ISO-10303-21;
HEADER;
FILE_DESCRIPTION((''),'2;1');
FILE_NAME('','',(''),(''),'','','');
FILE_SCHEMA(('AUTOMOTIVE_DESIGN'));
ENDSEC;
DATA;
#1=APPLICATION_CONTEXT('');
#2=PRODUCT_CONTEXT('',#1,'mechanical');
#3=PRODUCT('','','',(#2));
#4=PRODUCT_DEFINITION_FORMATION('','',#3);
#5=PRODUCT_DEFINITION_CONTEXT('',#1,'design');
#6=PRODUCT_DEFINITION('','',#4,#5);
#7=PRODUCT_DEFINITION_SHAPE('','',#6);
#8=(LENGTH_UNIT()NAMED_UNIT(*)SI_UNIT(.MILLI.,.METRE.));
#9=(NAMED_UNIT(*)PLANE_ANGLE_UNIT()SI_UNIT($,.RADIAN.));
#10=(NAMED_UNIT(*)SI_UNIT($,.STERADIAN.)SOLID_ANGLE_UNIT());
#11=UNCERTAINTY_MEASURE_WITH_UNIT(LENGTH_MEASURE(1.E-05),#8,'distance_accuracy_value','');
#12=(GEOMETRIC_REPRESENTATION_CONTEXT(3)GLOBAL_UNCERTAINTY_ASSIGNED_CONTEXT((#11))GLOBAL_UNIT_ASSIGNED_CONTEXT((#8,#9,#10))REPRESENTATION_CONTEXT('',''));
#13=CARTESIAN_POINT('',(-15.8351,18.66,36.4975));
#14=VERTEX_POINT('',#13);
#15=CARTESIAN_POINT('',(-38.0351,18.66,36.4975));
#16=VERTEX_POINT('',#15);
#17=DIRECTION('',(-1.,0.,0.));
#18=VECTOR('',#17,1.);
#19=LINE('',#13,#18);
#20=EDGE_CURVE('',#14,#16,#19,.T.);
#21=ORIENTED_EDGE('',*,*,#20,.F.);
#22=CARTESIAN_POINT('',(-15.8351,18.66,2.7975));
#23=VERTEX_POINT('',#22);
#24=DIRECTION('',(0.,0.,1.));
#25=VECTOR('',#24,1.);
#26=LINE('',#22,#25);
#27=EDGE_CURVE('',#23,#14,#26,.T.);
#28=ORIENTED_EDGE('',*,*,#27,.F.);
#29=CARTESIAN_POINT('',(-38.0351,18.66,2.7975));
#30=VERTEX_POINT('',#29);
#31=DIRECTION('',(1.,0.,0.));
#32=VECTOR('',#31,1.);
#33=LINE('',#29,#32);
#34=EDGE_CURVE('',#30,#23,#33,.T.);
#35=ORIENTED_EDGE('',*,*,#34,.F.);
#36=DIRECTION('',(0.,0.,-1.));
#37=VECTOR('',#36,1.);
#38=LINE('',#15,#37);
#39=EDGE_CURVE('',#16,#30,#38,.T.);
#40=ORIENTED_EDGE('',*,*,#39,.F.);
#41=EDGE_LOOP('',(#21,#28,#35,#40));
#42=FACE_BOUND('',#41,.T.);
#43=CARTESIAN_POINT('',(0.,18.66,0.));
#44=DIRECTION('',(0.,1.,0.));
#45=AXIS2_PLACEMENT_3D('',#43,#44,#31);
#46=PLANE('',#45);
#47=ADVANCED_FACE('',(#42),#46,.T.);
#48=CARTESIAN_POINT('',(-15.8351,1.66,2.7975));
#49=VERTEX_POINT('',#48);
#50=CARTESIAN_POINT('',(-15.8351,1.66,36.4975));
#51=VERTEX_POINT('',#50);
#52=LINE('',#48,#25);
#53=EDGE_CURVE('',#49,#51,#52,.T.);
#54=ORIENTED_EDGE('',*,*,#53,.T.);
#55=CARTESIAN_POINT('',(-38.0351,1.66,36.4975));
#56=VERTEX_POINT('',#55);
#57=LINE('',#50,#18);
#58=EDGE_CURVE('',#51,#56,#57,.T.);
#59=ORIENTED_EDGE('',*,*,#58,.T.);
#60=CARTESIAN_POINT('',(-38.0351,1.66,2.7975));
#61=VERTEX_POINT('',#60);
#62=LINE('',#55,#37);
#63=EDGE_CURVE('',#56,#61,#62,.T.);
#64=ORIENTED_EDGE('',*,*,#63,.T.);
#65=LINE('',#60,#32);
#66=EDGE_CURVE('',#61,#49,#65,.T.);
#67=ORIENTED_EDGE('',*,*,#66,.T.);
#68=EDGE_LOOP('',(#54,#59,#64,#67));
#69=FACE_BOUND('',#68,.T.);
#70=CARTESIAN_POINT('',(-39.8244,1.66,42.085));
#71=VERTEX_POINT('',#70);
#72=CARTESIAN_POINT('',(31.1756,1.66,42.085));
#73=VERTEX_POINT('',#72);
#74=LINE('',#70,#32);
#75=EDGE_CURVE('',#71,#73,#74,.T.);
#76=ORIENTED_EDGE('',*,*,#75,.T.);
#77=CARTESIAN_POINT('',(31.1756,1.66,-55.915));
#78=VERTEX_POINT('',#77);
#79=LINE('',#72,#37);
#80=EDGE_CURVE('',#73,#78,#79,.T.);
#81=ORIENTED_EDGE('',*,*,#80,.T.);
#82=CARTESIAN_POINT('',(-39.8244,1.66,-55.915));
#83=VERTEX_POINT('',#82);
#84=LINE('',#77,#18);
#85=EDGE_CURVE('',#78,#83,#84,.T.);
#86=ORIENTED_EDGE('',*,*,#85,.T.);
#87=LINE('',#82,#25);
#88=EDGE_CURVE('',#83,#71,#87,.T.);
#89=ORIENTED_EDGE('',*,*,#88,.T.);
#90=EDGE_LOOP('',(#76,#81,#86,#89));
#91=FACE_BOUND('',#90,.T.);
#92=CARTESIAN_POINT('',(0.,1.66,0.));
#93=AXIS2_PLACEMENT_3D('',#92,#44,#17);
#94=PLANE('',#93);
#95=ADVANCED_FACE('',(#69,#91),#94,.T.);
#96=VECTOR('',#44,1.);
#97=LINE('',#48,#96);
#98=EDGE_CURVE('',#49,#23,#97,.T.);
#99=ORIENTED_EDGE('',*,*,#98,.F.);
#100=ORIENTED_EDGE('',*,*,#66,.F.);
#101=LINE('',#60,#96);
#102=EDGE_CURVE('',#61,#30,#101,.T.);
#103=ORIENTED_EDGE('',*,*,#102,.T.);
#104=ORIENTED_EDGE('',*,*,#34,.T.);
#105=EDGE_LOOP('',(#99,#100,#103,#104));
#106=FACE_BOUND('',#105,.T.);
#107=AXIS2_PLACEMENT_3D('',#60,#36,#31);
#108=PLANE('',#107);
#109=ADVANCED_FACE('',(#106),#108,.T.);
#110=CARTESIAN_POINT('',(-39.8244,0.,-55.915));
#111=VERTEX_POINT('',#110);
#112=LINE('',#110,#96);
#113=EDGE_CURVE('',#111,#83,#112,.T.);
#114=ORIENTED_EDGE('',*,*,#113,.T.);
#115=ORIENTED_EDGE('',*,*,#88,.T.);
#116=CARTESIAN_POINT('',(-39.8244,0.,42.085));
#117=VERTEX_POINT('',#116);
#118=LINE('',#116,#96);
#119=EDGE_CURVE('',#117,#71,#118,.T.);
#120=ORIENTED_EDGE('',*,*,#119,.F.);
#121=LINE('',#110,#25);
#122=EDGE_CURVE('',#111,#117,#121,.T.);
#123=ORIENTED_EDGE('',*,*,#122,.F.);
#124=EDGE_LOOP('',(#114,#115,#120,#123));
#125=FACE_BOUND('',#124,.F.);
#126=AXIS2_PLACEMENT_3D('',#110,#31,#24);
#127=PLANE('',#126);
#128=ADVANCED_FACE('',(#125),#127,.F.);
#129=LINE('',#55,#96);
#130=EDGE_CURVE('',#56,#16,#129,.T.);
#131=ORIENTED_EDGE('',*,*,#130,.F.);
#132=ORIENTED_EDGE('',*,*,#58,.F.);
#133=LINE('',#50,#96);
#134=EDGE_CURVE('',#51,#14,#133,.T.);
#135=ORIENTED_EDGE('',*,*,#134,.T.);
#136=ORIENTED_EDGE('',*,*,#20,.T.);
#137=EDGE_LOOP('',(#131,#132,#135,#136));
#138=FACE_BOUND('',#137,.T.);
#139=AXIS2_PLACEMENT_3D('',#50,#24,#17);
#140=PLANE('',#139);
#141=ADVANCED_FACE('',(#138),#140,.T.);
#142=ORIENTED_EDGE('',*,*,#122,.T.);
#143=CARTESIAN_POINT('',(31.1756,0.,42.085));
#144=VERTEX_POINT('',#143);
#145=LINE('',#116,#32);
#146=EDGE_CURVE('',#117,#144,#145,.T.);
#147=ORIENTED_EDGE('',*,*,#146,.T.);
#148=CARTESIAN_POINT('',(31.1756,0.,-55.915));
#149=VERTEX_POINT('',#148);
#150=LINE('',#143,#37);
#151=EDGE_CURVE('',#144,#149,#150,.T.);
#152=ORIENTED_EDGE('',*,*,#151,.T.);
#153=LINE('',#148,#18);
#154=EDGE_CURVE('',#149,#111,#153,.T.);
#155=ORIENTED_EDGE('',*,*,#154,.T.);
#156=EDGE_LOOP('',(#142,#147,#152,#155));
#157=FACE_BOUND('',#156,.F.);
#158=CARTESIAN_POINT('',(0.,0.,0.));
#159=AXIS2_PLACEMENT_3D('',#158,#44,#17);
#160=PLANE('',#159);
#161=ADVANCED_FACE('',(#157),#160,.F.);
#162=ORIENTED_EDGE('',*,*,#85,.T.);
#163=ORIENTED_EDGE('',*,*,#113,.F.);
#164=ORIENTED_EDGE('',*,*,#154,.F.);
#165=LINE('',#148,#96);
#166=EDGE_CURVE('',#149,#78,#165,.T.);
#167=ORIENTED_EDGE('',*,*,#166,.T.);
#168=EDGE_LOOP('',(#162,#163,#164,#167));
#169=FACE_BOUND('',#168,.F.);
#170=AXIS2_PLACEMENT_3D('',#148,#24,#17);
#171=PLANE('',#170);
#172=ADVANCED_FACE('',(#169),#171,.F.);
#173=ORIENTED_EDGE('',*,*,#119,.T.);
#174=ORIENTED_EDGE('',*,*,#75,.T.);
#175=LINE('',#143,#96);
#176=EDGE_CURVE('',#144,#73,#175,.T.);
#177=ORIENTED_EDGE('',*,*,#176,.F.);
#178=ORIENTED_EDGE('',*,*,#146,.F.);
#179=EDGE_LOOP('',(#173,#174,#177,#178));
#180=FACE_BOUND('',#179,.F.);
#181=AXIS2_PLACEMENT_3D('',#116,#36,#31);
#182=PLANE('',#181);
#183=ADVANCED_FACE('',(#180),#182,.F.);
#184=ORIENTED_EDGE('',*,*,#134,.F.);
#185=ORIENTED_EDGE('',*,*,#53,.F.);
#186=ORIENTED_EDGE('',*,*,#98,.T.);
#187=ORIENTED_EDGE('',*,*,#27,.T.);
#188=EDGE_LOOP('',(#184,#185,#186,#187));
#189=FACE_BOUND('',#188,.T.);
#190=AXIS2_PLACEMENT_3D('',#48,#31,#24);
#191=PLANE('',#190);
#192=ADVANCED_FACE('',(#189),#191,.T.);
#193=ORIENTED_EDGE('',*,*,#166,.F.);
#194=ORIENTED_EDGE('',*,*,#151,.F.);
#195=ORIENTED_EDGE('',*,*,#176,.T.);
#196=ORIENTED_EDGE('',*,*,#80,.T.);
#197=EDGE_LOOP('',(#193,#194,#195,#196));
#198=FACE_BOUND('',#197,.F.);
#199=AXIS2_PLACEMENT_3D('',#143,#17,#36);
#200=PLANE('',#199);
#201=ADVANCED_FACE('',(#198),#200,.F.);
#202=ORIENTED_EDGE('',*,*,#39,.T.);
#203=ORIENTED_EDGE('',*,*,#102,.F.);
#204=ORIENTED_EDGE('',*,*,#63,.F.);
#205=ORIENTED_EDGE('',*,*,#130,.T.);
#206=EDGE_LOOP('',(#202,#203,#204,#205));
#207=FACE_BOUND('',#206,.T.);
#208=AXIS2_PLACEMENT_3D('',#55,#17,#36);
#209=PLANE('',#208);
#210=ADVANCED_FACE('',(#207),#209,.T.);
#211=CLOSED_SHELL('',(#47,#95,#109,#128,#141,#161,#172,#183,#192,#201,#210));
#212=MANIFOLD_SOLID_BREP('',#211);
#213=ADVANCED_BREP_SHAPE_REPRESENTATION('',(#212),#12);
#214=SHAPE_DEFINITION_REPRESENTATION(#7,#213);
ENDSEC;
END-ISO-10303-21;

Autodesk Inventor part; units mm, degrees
ref_plane "YZ Plane" through (0, 0, 0) normal (1, 0, 0) x (0, 1, 0)
ref_plane "XZ Plane" through (0, 0, 0) normal (0, 1, 0) x (-1, 0, 0)
ref_plane "XY Plane" through (0, 0, 0) normal (0, 0, 1) x (1, 0, 0)
sketch "Sketch1" plane through (0, 0, 0) normal (0, 1, 0) x (-1, 0, 0)
  line L0 (39.8244, 42.085) -> (-31.1756, 42.085)
  line L1 (-31.1756, 42.085) -> (-31.1756, -55.915)
  line L2 (-31.1756, -55.915) -> (39.8244, -55.915)
  line L3 (39.8244, -55.915) -> (39.8244, 42.085)
  point P0 (0, 0)
  dimension "d0" = 71
  dimension "d1" = 98
extrude "Extrusion1" add sketch "Sketch1" along normal blind 1.66
sketch "Sketch2" plane through (0, 1.66, 0) normal (0, 1, 0) x (1, 0, 0)
  line L0 (-38.0351, -2.7975) -> (-15.8351, -2.7975)
  line L1 (-15.8351, -2.7975) -> (-15.8351, -36.4975)
  line L2 (-15.8351, -36.4975) -> (-38.0351, -36.4975)
  line L3 (-38.0351, -36.4975) -> (-38.0351, -2.7975)
  point P0 (0, 0)
  dimension "d4" = 33.7
  dimension "d5" = 22.2
extrude "Extrusion2" add sketch "Sketch2" along normal blind 17
sketch "Sketch3" plane through (0, 1.66, 0) normal (0, 1, 0) x (1, 0, 0)
  point P0 (0, 0)
properties part number "Board"
